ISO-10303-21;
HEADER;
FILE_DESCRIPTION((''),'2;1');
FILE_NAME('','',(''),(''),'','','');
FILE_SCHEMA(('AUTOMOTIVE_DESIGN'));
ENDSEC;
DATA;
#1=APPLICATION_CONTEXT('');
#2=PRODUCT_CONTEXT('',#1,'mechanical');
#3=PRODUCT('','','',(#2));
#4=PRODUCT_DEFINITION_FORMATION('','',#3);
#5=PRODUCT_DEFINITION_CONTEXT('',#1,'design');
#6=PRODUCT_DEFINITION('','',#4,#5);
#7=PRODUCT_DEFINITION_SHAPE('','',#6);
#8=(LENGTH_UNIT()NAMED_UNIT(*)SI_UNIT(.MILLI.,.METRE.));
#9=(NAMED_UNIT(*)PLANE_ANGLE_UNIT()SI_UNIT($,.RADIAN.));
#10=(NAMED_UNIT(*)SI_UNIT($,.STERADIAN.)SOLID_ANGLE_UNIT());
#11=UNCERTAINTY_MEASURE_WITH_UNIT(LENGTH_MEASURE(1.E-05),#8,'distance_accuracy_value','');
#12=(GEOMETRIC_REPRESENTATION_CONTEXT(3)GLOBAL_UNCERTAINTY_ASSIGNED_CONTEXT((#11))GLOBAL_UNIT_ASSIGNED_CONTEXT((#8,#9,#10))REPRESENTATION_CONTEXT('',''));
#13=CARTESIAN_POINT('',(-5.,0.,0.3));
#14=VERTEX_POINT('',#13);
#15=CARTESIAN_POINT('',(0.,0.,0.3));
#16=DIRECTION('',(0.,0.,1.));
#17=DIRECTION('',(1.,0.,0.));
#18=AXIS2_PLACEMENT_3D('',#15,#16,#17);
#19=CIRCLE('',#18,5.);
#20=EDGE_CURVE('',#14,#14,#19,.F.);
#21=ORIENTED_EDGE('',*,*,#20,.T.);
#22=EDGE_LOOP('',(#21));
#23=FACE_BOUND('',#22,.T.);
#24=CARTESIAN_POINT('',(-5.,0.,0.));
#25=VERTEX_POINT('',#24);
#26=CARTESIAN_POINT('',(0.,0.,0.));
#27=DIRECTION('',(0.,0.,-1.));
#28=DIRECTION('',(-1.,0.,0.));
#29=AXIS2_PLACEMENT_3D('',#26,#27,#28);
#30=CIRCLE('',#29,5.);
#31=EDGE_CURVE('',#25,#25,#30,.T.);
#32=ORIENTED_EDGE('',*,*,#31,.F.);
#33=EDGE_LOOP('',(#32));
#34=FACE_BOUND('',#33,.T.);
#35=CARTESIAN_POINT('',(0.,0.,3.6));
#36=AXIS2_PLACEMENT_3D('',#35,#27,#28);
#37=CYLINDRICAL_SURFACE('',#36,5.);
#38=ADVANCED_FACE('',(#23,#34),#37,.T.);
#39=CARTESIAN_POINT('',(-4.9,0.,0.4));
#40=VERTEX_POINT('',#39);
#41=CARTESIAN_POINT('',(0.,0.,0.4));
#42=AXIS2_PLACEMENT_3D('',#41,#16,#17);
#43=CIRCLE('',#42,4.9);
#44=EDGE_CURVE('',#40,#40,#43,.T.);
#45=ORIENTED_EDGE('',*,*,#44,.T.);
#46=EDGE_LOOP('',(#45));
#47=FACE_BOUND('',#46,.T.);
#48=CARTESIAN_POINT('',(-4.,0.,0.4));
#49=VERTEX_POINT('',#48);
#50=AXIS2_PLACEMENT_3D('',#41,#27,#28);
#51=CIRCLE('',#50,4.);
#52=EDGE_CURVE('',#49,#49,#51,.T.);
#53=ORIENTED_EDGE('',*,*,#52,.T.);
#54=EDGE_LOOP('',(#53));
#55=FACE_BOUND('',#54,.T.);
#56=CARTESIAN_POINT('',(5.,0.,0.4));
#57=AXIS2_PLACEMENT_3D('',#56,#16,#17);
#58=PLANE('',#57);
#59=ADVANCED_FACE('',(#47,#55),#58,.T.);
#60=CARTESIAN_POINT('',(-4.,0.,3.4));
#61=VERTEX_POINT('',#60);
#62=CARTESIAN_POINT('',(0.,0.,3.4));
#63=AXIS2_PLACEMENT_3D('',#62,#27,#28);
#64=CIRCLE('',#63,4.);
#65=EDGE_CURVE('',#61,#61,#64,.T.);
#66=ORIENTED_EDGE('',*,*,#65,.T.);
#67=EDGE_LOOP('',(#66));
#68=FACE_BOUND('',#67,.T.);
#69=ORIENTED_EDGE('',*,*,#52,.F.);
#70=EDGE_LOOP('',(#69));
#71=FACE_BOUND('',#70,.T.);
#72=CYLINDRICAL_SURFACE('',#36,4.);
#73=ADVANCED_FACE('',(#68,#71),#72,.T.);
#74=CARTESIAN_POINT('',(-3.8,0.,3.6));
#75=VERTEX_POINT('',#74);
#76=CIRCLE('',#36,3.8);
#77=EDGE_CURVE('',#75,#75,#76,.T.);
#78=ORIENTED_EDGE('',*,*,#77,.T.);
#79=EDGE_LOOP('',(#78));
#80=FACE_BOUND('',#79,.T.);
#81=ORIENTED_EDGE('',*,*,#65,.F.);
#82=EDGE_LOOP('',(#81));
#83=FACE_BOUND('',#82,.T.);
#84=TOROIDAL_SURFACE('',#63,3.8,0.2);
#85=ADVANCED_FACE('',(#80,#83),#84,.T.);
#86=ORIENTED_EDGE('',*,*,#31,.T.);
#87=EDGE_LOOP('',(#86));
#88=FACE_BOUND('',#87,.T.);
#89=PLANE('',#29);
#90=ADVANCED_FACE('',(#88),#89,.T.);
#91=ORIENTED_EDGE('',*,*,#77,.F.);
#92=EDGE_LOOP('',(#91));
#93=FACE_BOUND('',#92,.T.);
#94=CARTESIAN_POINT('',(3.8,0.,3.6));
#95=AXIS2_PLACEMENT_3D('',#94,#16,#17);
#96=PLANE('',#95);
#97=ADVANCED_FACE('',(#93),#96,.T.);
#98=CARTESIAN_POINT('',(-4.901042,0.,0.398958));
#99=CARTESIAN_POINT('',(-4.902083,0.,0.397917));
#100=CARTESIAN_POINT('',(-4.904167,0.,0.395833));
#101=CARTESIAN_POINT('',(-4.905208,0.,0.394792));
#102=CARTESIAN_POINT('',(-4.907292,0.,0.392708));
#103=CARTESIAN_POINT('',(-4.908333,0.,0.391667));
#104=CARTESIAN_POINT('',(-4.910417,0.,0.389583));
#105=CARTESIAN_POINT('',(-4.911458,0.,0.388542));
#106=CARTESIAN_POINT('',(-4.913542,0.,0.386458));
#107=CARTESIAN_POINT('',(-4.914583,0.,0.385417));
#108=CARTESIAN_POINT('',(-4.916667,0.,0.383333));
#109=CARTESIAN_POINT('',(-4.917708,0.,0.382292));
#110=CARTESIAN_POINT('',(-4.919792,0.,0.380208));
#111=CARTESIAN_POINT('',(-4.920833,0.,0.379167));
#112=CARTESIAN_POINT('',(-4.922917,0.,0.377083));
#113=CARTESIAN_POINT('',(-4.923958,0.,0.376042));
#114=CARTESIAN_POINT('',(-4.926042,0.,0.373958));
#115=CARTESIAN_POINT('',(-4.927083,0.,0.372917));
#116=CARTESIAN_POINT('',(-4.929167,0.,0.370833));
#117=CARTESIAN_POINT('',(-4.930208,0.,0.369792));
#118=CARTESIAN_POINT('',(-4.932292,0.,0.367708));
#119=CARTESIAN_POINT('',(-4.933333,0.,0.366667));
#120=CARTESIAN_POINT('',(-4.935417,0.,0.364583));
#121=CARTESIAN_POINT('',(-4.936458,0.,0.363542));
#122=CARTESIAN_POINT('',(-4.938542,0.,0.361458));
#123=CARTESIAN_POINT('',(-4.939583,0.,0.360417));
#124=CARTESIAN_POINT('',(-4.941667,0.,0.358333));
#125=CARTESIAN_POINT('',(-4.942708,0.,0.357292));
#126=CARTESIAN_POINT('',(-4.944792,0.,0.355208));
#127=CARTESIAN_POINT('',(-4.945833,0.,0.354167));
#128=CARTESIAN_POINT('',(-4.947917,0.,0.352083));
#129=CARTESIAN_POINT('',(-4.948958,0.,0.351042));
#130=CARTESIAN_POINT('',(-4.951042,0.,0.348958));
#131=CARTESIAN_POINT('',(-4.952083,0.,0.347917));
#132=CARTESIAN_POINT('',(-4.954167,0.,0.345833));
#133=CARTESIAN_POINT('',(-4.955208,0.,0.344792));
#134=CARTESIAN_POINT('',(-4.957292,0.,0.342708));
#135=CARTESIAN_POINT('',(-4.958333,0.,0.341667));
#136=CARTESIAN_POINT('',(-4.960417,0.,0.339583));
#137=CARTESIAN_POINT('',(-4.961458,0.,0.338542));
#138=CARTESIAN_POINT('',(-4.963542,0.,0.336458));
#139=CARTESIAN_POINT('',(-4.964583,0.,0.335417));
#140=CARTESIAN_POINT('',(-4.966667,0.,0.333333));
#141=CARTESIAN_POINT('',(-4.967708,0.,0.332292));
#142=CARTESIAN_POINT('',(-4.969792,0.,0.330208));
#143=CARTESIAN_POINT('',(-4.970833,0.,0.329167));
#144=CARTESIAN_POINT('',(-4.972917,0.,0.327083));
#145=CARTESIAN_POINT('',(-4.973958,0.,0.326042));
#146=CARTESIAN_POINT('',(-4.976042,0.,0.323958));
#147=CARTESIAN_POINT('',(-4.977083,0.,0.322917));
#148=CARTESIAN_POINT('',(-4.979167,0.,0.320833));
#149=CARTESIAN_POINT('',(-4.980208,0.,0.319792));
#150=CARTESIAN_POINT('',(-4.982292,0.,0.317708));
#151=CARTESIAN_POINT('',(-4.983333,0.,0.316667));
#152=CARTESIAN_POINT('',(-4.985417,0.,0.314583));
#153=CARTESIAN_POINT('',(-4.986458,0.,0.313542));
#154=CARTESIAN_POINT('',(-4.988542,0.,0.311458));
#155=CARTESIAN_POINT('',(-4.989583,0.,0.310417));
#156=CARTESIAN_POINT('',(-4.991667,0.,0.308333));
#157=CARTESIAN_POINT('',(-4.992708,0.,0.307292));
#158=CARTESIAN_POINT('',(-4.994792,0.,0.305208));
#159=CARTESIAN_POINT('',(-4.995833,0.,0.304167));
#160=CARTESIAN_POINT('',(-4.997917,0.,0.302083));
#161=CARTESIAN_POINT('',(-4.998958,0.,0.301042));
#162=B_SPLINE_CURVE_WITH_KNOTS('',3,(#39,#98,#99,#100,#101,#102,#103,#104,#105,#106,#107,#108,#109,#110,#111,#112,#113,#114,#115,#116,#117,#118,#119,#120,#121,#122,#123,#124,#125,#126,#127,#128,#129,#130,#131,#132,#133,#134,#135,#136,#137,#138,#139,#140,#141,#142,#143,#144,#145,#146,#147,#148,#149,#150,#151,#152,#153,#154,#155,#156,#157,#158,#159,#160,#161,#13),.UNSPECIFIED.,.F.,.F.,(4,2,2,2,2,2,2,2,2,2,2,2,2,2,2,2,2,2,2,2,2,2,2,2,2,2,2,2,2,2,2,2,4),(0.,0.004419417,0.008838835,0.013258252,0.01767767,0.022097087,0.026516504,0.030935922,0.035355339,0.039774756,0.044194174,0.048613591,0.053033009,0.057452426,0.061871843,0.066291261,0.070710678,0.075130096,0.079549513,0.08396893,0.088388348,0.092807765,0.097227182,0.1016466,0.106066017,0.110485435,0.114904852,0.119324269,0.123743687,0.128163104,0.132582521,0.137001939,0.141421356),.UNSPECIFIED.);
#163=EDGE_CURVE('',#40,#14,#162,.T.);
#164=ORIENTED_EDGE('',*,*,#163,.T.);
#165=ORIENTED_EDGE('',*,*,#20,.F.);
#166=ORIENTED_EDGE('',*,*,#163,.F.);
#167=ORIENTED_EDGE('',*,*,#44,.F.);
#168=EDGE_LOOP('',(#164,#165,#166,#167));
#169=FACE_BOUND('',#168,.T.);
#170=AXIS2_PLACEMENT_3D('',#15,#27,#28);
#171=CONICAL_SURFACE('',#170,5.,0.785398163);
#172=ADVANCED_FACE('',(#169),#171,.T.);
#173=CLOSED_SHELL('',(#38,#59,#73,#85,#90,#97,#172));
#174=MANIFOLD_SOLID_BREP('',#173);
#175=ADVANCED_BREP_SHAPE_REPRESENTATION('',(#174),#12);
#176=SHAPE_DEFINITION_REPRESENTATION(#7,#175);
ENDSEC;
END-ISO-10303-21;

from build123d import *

# Parameters (mm, degrees)
CHANFREIN1_SIZE = 0.1


with BuildPart() as part:
    # Esquisse1 → Révolution1 (revolve)
    with BuildSketch(Plane.XZ, mode=Mode.PRIVATE) as r_volution1_sk:
        with BuildLine():
            Line((3.8, 3.6), (0, 3.6))
            Line((0, 3.6), (0, 0))
            Line((0, 0), (5, 0))
            Line((5, 0), (5, 0.4))
            Line((5, 0.4), (4, 0.4))
            Line((4, 0.4), (4, 3.4))
            ThreePointArc((4, 3.4), (3.941421356, 3.541421356), (3.8, 3.6))
        make_face()
    revolve(r_volution1_sk.sketch.rotate(Axis((0, 0, 3.6), (0, 0, -1)), 180), axis=Axis((0, 0, 3.6), (0, 0, -1)))

    # Chanfrein1
    chanfrein1_edges = [part.edges().sort_by_distance(p)[0] for p in [
        (5, 0, 0.4),
    ]]
    chamfer(chanfrein1_edges, length=CHANFREIN1_SIZE)


solid = part.part
